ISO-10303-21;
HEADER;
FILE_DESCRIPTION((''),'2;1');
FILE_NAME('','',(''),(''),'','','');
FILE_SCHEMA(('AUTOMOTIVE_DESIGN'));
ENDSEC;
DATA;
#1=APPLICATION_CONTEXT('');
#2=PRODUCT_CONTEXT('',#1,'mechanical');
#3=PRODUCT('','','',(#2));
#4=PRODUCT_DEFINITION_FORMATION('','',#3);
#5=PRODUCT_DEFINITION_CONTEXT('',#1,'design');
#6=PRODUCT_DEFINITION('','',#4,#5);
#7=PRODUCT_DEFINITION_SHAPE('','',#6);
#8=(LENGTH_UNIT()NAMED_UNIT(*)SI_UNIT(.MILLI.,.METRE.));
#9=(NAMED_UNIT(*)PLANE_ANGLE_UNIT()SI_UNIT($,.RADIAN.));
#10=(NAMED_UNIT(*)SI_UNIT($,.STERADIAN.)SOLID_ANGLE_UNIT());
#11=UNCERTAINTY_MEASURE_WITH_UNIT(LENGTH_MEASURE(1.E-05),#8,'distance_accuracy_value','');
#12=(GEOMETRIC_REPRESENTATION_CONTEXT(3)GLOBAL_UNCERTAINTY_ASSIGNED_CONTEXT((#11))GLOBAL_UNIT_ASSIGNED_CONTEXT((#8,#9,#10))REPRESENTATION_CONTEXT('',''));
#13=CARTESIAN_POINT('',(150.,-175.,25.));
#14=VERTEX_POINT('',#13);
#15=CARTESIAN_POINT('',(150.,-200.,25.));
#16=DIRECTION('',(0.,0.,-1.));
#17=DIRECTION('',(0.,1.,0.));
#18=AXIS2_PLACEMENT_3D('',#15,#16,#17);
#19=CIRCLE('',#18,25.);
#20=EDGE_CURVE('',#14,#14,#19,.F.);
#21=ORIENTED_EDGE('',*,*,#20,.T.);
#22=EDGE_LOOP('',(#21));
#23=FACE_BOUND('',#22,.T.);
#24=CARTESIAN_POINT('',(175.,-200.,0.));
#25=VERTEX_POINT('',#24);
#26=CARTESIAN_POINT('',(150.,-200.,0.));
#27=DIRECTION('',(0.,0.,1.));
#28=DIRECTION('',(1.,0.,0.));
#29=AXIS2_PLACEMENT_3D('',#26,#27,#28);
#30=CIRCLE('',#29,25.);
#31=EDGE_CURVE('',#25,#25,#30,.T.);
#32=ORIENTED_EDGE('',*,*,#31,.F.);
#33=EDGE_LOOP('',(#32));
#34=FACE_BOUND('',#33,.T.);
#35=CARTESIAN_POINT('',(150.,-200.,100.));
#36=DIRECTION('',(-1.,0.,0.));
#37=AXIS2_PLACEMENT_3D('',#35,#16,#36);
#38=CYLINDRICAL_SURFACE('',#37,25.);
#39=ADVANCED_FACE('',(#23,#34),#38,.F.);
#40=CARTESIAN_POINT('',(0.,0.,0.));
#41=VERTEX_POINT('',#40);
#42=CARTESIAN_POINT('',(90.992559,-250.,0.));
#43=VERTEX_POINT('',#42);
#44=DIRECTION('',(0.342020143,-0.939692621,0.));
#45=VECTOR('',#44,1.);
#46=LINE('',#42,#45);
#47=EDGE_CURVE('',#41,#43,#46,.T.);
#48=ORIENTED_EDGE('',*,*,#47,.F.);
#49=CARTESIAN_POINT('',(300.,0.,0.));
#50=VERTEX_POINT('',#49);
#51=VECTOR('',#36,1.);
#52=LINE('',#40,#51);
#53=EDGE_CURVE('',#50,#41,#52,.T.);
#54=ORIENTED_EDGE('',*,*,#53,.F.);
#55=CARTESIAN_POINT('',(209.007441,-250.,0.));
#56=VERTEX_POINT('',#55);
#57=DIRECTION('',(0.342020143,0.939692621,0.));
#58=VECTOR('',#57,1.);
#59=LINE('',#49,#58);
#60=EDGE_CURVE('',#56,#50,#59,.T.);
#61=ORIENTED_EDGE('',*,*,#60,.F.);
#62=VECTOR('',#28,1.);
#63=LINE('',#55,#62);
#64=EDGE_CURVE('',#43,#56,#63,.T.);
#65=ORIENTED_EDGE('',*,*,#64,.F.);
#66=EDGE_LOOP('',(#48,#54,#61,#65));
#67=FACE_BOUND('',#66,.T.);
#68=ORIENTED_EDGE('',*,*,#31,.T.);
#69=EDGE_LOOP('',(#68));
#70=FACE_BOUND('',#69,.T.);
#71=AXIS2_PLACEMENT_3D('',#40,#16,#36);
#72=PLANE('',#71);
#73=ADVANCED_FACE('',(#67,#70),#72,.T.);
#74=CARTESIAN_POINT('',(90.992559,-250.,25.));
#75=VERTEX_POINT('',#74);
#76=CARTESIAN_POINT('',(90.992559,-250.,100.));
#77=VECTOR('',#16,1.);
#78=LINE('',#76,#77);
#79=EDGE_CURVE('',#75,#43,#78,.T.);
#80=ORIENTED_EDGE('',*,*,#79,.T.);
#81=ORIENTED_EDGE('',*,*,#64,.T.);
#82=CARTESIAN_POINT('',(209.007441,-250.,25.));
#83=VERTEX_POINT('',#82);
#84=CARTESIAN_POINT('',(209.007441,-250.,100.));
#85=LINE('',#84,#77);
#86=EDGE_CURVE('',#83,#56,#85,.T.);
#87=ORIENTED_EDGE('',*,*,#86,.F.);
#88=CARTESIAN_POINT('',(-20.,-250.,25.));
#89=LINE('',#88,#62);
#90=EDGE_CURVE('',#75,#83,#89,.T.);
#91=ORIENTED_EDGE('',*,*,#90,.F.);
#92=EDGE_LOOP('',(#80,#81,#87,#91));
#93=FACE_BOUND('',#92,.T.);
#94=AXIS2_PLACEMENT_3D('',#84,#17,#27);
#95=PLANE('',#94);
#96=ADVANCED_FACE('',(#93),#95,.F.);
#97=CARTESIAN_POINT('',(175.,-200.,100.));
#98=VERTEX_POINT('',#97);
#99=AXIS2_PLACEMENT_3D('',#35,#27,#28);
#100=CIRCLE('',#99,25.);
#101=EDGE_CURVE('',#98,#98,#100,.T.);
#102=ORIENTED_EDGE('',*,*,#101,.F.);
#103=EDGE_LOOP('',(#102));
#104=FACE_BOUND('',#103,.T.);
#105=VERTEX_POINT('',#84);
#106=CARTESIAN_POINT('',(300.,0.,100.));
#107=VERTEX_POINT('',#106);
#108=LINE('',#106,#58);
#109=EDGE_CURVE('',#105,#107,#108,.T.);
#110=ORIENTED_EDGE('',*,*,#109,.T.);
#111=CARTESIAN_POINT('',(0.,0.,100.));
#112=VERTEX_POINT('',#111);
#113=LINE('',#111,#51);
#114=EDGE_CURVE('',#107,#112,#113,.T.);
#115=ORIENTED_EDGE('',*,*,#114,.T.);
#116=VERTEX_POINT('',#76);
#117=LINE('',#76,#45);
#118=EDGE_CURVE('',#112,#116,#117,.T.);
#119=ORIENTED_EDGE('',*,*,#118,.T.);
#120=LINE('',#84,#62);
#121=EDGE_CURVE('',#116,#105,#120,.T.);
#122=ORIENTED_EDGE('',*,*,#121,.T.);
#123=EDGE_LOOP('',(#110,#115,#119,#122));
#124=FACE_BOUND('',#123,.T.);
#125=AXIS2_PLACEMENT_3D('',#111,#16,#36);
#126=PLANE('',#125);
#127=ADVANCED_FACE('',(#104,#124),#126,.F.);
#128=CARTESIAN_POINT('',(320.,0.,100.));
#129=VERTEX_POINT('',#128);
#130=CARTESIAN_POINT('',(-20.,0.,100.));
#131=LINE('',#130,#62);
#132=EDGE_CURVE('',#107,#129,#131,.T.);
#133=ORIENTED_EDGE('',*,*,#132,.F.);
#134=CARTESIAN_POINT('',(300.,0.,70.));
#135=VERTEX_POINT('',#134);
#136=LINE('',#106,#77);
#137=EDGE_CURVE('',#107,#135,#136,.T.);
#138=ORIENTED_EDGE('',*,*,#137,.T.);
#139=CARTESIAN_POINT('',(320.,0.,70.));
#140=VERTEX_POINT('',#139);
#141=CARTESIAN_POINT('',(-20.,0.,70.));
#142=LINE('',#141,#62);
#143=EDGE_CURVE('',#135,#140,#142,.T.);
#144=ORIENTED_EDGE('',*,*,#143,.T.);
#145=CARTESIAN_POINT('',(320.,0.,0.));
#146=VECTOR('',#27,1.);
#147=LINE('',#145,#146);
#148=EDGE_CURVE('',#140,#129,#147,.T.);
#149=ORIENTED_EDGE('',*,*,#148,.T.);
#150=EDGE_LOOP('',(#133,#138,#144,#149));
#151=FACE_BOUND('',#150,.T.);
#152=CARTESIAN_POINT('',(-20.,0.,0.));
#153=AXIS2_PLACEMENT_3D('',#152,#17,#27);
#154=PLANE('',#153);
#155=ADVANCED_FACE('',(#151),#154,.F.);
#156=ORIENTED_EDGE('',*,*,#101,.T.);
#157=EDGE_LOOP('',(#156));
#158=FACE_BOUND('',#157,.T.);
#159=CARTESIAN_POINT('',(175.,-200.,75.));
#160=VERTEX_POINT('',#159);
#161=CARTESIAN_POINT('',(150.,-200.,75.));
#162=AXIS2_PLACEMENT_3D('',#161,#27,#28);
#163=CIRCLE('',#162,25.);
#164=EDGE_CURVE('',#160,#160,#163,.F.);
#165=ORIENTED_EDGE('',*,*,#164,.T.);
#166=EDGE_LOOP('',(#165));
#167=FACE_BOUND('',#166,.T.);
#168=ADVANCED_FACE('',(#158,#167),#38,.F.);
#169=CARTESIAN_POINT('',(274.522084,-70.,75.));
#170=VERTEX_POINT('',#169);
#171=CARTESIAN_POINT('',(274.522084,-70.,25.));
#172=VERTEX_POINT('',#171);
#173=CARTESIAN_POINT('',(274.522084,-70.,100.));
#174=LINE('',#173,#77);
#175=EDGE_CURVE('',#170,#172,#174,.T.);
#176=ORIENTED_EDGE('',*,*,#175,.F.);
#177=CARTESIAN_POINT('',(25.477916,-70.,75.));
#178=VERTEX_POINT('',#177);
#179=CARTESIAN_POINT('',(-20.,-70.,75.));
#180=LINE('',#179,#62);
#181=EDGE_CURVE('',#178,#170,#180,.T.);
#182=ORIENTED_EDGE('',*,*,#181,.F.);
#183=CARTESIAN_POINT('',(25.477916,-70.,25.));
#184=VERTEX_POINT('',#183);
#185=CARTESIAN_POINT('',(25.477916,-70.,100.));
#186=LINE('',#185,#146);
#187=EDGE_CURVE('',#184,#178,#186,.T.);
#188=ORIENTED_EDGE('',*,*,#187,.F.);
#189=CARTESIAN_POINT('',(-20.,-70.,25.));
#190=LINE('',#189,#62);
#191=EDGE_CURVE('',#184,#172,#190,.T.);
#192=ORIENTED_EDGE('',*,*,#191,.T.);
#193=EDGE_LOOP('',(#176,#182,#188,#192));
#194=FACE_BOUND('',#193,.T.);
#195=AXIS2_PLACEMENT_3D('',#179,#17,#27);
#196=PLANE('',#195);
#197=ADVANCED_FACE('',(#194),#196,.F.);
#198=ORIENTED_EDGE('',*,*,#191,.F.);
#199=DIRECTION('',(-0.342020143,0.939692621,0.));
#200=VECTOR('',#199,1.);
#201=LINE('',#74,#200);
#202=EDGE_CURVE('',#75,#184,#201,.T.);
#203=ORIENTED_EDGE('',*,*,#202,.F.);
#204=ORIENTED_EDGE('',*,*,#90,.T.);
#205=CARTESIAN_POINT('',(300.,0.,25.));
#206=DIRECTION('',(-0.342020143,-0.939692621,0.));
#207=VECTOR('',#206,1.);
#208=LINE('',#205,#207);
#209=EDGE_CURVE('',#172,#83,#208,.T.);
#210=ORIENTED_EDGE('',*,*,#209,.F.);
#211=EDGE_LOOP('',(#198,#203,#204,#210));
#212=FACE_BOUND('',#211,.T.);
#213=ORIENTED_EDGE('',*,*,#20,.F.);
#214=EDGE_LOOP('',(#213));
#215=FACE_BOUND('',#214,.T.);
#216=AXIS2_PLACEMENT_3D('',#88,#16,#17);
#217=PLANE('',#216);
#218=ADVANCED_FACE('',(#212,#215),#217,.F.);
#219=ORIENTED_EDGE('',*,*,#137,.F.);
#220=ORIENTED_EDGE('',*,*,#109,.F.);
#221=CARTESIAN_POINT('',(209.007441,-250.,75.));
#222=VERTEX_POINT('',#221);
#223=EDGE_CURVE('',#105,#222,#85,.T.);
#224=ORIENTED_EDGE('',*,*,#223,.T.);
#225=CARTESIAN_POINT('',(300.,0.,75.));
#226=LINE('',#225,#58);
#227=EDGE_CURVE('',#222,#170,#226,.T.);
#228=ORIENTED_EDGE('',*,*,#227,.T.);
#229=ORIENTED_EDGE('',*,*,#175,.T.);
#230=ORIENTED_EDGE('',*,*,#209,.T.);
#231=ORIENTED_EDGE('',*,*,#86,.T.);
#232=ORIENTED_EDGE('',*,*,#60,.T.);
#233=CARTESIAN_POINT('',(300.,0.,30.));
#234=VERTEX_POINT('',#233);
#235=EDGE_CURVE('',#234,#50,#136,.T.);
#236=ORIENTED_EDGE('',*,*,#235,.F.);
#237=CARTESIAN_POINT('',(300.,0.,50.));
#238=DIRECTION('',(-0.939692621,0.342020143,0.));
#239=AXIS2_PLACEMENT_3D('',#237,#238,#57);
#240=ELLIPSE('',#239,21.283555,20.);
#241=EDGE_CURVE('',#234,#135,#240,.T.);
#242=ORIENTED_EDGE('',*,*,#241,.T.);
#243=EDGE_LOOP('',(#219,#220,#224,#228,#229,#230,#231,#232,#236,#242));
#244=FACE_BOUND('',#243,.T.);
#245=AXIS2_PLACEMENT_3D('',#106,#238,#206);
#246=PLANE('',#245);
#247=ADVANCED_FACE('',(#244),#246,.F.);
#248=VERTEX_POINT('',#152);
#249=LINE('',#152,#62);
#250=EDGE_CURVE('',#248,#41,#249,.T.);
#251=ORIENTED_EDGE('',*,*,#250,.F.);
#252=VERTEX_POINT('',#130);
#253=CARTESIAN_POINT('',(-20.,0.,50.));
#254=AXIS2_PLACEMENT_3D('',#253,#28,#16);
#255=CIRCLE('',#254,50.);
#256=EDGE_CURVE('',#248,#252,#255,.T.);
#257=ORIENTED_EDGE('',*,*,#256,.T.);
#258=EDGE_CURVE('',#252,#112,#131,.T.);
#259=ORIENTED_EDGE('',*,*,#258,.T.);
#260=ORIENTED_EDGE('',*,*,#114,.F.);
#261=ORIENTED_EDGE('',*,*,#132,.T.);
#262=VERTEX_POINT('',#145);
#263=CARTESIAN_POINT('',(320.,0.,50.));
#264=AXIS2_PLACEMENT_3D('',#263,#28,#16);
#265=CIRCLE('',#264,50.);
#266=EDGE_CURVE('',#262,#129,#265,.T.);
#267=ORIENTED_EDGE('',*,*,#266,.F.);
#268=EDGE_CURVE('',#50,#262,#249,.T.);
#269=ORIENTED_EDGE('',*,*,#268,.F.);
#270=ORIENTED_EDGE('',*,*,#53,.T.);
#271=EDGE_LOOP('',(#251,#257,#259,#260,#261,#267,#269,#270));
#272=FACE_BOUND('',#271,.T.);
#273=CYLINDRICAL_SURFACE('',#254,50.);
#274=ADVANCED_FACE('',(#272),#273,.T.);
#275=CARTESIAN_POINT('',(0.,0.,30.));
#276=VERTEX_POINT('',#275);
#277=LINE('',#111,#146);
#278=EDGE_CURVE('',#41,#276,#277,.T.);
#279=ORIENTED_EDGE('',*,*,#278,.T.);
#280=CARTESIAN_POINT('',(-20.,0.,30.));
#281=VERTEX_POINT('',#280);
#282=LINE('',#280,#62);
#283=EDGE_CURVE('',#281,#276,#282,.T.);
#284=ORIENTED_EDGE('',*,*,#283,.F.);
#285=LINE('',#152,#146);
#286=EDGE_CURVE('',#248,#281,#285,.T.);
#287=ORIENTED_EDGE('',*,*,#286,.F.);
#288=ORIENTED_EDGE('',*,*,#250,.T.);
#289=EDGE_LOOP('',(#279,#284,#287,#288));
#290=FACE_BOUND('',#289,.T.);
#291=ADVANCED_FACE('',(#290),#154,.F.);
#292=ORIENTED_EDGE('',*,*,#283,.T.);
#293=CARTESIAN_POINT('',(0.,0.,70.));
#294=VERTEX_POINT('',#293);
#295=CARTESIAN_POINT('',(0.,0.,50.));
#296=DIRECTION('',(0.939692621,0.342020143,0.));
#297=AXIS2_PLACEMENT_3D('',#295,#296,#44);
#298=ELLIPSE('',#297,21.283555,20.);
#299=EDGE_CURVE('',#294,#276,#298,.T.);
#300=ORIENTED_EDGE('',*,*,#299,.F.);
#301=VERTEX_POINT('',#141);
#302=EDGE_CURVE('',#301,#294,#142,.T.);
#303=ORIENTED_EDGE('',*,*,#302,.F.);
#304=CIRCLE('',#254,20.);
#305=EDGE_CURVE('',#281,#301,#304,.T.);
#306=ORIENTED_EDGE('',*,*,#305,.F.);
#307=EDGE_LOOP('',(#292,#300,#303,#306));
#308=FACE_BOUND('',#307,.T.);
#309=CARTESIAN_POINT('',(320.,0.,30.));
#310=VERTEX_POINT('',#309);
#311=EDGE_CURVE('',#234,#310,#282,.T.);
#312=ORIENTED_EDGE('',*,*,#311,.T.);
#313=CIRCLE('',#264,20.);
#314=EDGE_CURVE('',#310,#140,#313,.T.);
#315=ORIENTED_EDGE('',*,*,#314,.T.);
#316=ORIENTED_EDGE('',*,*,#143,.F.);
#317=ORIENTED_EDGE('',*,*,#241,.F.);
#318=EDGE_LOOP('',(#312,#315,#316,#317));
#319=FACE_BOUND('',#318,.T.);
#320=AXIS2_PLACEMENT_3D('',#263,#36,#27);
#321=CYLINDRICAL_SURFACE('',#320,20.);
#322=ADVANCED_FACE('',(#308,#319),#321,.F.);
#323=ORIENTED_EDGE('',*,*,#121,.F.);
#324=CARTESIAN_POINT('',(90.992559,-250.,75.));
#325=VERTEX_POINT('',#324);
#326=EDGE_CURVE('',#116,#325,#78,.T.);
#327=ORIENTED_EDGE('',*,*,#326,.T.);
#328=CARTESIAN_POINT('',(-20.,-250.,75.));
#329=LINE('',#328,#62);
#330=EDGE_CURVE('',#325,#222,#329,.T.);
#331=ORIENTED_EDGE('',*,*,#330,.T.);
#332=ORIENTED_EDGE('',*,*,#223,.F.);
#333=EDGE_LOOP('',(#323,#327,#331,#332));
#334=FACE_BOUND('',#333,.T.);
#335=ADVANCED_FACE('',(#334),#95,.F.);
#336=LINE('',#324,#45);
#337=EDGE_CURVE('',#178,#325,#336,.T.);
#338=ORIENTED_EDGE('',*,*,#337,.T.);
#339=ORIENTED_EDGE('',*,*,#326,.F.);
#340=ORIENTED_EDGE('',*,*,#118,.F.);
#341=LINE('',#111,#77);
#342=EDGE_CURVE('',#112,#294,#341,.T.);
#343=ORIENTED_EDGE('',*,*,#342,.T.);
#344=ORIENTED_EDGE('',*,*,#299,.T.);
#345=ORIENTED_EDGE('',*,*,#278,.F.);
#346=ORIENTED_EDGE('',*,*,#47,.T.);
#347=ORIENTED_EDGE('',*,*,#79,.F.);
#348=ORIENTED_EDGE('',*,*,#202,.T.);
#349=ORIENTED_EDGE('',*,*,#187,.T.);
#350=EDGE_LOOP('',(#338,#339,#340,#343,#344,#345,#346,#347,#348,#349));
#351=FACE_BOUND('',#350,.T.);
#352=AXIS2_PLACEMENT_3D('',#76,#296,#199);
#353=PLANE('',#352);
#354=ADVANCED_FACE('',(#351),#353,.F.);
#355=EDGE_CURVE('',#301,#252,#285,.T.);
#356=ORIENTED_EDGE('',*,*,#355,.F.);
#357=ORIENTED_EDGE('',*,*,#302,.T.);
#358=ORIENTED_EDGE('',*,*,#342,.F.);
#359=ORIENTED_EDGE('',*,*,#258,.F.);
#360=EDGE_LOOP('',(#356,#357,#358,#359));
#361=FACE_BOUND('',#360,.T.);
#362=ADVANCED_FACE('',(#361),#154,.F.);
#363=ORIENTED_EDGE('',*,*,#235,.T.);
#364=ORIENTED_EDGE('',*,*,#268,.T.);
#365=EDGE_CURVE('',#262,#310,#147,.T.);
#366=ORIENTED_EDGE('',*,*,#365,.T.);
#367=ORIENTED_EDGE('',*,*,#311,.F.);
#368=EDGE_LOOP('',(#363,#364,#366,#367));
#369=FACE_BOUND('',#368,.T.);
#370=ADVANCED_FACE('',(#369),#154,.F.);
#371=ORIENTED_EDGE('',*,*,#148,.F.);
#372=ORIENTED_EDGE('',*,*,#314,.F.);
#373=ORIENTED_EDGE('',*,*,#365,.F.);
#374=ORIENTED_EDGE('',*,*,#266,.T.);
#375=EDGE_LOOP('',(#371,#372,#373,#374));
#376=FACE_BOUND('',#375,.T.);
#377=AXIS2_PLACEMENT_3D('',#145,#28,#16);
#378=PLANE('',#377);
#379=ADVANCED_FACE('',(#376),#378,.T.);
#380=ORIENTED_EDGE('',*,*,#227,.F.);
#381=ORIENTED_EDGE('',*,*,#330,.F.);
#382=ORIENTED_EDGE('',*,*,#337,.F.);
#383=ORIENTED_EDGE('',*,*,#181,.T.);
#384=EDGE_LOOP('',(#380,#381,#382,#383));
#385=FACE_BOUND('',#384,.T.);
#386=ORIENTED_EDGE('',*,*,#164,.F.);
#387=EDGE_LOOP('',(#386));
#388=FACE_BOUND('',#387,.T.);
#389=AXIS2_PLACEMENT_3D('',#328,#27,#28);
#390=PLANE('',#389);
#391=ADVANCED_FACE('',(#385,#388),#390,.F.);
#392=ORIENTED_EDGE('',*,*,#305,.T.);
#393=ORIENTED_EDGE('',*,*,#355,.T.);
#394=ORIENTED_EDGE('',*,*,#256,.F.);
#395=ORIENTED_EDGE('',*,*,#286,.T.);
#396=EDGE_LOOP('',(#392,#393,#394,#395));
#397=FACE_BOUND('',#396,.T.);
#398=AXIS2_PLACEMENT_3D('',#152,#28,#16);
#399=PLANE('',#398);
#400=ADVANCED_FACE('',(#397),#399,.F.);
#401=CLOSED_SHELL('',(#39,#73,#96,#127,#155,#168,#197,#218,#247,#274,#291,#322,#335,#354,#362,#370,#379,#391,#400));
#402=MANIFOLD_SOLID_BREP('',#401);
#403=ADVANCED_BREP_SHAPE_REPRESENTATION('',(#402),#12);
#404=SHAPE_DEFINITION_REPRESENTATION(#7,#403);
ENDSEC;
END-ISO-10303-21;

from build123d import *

# Parameters (mm, degrees)
BOSS_EXTRUDE1_DEPTH      = 100
BOSS_EXTRUDE2_DEPTH      = 320
BOSS_EXTRUDE2_DEPTH_BACK = 20
CUT_EXTRUDE1_DEPTH       = 419.210473327
CUT_EXTRUDE1_DEPTH_BACK  = 419.210473327
SKETCH3_3_R              = 20
CUT_EXTRUDE2_DEPTH       = 419.210473327
CUT_EXTRUDE2_DEPTH_BACK  = 419.210473327
SKETCH4_W                = 50
SKETCH4_H                = 180
SKETCH5_R                = 25
CUT_EXTRUDE5_DEPTH       = 419.210473327


with BuildPart() as part:
    # Sketch2 → Boss-Extrude1 (new body)
    with BuildSketch(Plane.XY):
        Polygon((0, 0), (300, 0), (209.007441433, -250), (90.992558567, -250), align=None)
    extrude(amount=BOSS_EXTRUDE1_DEPTH)

    # Sketch3 → Boss-Extrude2 (add, two sides: drawn at the far end of the back side and taken through both)
    with BuildSketch(Plane(origin=(0, 0, 0), x_dir=(0, 0, -1), z_dir=(1, 0, 0)).offset(-BOSS_EXTRUDE2_DEPTH_BACK)):
        with BuildLine():
            Line((-30, 0), (0, 0))
            ThreePointArc((0, 0), (-50, 50), (-100, 0))
            Line((-100, 0), (-70, 0))
            ThreePointArc((-70, 0), (-50, -20), (-30, 0))
        make_face()
    extrude(amount=BOSS_EXTRUDE2_DEPTH + BOSS_EXTRUDE2_DEPTH_BACK)

    # Sketch3<3> → Cut-Extrude1 (cut, two sides: drawn at the far end of the back side and taken through both)
    with BuildSketch(Plane(origin=(0, 0, 0), x_dir=(0, 0, -1), z_dir=(1, 0, 0)).offset(-CUT_EXTRUDE1_DEPTH_BACK)):
        with Locations((-50, 0)):
            Circle(SKETCH3_3_R)
    extrude(amount=CUT_EXTRUDE1_DEPTH + CUT_EXTRUDE1_DEPTH_BACK, mode=Mode.SUBTRACT)

    # Sketch4 → Cut-Extrude2 (cut, two sides: drawn at the far end of the back side and taken through both)
    with BuildSketch(Plane(origin=(0, 0, 0), x_dir=(0, 0, -1), z_dir=(1, 0, 0)).offset(-CUT_EXTRUDE2_DEPTH_BACK)):
        with Locations((-50, -160)):
            Rectangle(SKETCH4_W, SKETCH4_H)
    extrude(amount=CUT_EXTRUDE2_DEPTH + CUT_EXTRUDE2_DEPTH_BACK, mode=Mode.SUBTRACT)

    # Sketch5 → Cut-Extrude5 (cut, through all)
    with BuildSketch(Plane.XY):
        with Locations((150, -200)):
            Circle(SKETCH5_R)
    extrude(amount=CUT_EXTRUDE5_DEPTH, mode=Mode.SUBTRACT)


solid = part.part
